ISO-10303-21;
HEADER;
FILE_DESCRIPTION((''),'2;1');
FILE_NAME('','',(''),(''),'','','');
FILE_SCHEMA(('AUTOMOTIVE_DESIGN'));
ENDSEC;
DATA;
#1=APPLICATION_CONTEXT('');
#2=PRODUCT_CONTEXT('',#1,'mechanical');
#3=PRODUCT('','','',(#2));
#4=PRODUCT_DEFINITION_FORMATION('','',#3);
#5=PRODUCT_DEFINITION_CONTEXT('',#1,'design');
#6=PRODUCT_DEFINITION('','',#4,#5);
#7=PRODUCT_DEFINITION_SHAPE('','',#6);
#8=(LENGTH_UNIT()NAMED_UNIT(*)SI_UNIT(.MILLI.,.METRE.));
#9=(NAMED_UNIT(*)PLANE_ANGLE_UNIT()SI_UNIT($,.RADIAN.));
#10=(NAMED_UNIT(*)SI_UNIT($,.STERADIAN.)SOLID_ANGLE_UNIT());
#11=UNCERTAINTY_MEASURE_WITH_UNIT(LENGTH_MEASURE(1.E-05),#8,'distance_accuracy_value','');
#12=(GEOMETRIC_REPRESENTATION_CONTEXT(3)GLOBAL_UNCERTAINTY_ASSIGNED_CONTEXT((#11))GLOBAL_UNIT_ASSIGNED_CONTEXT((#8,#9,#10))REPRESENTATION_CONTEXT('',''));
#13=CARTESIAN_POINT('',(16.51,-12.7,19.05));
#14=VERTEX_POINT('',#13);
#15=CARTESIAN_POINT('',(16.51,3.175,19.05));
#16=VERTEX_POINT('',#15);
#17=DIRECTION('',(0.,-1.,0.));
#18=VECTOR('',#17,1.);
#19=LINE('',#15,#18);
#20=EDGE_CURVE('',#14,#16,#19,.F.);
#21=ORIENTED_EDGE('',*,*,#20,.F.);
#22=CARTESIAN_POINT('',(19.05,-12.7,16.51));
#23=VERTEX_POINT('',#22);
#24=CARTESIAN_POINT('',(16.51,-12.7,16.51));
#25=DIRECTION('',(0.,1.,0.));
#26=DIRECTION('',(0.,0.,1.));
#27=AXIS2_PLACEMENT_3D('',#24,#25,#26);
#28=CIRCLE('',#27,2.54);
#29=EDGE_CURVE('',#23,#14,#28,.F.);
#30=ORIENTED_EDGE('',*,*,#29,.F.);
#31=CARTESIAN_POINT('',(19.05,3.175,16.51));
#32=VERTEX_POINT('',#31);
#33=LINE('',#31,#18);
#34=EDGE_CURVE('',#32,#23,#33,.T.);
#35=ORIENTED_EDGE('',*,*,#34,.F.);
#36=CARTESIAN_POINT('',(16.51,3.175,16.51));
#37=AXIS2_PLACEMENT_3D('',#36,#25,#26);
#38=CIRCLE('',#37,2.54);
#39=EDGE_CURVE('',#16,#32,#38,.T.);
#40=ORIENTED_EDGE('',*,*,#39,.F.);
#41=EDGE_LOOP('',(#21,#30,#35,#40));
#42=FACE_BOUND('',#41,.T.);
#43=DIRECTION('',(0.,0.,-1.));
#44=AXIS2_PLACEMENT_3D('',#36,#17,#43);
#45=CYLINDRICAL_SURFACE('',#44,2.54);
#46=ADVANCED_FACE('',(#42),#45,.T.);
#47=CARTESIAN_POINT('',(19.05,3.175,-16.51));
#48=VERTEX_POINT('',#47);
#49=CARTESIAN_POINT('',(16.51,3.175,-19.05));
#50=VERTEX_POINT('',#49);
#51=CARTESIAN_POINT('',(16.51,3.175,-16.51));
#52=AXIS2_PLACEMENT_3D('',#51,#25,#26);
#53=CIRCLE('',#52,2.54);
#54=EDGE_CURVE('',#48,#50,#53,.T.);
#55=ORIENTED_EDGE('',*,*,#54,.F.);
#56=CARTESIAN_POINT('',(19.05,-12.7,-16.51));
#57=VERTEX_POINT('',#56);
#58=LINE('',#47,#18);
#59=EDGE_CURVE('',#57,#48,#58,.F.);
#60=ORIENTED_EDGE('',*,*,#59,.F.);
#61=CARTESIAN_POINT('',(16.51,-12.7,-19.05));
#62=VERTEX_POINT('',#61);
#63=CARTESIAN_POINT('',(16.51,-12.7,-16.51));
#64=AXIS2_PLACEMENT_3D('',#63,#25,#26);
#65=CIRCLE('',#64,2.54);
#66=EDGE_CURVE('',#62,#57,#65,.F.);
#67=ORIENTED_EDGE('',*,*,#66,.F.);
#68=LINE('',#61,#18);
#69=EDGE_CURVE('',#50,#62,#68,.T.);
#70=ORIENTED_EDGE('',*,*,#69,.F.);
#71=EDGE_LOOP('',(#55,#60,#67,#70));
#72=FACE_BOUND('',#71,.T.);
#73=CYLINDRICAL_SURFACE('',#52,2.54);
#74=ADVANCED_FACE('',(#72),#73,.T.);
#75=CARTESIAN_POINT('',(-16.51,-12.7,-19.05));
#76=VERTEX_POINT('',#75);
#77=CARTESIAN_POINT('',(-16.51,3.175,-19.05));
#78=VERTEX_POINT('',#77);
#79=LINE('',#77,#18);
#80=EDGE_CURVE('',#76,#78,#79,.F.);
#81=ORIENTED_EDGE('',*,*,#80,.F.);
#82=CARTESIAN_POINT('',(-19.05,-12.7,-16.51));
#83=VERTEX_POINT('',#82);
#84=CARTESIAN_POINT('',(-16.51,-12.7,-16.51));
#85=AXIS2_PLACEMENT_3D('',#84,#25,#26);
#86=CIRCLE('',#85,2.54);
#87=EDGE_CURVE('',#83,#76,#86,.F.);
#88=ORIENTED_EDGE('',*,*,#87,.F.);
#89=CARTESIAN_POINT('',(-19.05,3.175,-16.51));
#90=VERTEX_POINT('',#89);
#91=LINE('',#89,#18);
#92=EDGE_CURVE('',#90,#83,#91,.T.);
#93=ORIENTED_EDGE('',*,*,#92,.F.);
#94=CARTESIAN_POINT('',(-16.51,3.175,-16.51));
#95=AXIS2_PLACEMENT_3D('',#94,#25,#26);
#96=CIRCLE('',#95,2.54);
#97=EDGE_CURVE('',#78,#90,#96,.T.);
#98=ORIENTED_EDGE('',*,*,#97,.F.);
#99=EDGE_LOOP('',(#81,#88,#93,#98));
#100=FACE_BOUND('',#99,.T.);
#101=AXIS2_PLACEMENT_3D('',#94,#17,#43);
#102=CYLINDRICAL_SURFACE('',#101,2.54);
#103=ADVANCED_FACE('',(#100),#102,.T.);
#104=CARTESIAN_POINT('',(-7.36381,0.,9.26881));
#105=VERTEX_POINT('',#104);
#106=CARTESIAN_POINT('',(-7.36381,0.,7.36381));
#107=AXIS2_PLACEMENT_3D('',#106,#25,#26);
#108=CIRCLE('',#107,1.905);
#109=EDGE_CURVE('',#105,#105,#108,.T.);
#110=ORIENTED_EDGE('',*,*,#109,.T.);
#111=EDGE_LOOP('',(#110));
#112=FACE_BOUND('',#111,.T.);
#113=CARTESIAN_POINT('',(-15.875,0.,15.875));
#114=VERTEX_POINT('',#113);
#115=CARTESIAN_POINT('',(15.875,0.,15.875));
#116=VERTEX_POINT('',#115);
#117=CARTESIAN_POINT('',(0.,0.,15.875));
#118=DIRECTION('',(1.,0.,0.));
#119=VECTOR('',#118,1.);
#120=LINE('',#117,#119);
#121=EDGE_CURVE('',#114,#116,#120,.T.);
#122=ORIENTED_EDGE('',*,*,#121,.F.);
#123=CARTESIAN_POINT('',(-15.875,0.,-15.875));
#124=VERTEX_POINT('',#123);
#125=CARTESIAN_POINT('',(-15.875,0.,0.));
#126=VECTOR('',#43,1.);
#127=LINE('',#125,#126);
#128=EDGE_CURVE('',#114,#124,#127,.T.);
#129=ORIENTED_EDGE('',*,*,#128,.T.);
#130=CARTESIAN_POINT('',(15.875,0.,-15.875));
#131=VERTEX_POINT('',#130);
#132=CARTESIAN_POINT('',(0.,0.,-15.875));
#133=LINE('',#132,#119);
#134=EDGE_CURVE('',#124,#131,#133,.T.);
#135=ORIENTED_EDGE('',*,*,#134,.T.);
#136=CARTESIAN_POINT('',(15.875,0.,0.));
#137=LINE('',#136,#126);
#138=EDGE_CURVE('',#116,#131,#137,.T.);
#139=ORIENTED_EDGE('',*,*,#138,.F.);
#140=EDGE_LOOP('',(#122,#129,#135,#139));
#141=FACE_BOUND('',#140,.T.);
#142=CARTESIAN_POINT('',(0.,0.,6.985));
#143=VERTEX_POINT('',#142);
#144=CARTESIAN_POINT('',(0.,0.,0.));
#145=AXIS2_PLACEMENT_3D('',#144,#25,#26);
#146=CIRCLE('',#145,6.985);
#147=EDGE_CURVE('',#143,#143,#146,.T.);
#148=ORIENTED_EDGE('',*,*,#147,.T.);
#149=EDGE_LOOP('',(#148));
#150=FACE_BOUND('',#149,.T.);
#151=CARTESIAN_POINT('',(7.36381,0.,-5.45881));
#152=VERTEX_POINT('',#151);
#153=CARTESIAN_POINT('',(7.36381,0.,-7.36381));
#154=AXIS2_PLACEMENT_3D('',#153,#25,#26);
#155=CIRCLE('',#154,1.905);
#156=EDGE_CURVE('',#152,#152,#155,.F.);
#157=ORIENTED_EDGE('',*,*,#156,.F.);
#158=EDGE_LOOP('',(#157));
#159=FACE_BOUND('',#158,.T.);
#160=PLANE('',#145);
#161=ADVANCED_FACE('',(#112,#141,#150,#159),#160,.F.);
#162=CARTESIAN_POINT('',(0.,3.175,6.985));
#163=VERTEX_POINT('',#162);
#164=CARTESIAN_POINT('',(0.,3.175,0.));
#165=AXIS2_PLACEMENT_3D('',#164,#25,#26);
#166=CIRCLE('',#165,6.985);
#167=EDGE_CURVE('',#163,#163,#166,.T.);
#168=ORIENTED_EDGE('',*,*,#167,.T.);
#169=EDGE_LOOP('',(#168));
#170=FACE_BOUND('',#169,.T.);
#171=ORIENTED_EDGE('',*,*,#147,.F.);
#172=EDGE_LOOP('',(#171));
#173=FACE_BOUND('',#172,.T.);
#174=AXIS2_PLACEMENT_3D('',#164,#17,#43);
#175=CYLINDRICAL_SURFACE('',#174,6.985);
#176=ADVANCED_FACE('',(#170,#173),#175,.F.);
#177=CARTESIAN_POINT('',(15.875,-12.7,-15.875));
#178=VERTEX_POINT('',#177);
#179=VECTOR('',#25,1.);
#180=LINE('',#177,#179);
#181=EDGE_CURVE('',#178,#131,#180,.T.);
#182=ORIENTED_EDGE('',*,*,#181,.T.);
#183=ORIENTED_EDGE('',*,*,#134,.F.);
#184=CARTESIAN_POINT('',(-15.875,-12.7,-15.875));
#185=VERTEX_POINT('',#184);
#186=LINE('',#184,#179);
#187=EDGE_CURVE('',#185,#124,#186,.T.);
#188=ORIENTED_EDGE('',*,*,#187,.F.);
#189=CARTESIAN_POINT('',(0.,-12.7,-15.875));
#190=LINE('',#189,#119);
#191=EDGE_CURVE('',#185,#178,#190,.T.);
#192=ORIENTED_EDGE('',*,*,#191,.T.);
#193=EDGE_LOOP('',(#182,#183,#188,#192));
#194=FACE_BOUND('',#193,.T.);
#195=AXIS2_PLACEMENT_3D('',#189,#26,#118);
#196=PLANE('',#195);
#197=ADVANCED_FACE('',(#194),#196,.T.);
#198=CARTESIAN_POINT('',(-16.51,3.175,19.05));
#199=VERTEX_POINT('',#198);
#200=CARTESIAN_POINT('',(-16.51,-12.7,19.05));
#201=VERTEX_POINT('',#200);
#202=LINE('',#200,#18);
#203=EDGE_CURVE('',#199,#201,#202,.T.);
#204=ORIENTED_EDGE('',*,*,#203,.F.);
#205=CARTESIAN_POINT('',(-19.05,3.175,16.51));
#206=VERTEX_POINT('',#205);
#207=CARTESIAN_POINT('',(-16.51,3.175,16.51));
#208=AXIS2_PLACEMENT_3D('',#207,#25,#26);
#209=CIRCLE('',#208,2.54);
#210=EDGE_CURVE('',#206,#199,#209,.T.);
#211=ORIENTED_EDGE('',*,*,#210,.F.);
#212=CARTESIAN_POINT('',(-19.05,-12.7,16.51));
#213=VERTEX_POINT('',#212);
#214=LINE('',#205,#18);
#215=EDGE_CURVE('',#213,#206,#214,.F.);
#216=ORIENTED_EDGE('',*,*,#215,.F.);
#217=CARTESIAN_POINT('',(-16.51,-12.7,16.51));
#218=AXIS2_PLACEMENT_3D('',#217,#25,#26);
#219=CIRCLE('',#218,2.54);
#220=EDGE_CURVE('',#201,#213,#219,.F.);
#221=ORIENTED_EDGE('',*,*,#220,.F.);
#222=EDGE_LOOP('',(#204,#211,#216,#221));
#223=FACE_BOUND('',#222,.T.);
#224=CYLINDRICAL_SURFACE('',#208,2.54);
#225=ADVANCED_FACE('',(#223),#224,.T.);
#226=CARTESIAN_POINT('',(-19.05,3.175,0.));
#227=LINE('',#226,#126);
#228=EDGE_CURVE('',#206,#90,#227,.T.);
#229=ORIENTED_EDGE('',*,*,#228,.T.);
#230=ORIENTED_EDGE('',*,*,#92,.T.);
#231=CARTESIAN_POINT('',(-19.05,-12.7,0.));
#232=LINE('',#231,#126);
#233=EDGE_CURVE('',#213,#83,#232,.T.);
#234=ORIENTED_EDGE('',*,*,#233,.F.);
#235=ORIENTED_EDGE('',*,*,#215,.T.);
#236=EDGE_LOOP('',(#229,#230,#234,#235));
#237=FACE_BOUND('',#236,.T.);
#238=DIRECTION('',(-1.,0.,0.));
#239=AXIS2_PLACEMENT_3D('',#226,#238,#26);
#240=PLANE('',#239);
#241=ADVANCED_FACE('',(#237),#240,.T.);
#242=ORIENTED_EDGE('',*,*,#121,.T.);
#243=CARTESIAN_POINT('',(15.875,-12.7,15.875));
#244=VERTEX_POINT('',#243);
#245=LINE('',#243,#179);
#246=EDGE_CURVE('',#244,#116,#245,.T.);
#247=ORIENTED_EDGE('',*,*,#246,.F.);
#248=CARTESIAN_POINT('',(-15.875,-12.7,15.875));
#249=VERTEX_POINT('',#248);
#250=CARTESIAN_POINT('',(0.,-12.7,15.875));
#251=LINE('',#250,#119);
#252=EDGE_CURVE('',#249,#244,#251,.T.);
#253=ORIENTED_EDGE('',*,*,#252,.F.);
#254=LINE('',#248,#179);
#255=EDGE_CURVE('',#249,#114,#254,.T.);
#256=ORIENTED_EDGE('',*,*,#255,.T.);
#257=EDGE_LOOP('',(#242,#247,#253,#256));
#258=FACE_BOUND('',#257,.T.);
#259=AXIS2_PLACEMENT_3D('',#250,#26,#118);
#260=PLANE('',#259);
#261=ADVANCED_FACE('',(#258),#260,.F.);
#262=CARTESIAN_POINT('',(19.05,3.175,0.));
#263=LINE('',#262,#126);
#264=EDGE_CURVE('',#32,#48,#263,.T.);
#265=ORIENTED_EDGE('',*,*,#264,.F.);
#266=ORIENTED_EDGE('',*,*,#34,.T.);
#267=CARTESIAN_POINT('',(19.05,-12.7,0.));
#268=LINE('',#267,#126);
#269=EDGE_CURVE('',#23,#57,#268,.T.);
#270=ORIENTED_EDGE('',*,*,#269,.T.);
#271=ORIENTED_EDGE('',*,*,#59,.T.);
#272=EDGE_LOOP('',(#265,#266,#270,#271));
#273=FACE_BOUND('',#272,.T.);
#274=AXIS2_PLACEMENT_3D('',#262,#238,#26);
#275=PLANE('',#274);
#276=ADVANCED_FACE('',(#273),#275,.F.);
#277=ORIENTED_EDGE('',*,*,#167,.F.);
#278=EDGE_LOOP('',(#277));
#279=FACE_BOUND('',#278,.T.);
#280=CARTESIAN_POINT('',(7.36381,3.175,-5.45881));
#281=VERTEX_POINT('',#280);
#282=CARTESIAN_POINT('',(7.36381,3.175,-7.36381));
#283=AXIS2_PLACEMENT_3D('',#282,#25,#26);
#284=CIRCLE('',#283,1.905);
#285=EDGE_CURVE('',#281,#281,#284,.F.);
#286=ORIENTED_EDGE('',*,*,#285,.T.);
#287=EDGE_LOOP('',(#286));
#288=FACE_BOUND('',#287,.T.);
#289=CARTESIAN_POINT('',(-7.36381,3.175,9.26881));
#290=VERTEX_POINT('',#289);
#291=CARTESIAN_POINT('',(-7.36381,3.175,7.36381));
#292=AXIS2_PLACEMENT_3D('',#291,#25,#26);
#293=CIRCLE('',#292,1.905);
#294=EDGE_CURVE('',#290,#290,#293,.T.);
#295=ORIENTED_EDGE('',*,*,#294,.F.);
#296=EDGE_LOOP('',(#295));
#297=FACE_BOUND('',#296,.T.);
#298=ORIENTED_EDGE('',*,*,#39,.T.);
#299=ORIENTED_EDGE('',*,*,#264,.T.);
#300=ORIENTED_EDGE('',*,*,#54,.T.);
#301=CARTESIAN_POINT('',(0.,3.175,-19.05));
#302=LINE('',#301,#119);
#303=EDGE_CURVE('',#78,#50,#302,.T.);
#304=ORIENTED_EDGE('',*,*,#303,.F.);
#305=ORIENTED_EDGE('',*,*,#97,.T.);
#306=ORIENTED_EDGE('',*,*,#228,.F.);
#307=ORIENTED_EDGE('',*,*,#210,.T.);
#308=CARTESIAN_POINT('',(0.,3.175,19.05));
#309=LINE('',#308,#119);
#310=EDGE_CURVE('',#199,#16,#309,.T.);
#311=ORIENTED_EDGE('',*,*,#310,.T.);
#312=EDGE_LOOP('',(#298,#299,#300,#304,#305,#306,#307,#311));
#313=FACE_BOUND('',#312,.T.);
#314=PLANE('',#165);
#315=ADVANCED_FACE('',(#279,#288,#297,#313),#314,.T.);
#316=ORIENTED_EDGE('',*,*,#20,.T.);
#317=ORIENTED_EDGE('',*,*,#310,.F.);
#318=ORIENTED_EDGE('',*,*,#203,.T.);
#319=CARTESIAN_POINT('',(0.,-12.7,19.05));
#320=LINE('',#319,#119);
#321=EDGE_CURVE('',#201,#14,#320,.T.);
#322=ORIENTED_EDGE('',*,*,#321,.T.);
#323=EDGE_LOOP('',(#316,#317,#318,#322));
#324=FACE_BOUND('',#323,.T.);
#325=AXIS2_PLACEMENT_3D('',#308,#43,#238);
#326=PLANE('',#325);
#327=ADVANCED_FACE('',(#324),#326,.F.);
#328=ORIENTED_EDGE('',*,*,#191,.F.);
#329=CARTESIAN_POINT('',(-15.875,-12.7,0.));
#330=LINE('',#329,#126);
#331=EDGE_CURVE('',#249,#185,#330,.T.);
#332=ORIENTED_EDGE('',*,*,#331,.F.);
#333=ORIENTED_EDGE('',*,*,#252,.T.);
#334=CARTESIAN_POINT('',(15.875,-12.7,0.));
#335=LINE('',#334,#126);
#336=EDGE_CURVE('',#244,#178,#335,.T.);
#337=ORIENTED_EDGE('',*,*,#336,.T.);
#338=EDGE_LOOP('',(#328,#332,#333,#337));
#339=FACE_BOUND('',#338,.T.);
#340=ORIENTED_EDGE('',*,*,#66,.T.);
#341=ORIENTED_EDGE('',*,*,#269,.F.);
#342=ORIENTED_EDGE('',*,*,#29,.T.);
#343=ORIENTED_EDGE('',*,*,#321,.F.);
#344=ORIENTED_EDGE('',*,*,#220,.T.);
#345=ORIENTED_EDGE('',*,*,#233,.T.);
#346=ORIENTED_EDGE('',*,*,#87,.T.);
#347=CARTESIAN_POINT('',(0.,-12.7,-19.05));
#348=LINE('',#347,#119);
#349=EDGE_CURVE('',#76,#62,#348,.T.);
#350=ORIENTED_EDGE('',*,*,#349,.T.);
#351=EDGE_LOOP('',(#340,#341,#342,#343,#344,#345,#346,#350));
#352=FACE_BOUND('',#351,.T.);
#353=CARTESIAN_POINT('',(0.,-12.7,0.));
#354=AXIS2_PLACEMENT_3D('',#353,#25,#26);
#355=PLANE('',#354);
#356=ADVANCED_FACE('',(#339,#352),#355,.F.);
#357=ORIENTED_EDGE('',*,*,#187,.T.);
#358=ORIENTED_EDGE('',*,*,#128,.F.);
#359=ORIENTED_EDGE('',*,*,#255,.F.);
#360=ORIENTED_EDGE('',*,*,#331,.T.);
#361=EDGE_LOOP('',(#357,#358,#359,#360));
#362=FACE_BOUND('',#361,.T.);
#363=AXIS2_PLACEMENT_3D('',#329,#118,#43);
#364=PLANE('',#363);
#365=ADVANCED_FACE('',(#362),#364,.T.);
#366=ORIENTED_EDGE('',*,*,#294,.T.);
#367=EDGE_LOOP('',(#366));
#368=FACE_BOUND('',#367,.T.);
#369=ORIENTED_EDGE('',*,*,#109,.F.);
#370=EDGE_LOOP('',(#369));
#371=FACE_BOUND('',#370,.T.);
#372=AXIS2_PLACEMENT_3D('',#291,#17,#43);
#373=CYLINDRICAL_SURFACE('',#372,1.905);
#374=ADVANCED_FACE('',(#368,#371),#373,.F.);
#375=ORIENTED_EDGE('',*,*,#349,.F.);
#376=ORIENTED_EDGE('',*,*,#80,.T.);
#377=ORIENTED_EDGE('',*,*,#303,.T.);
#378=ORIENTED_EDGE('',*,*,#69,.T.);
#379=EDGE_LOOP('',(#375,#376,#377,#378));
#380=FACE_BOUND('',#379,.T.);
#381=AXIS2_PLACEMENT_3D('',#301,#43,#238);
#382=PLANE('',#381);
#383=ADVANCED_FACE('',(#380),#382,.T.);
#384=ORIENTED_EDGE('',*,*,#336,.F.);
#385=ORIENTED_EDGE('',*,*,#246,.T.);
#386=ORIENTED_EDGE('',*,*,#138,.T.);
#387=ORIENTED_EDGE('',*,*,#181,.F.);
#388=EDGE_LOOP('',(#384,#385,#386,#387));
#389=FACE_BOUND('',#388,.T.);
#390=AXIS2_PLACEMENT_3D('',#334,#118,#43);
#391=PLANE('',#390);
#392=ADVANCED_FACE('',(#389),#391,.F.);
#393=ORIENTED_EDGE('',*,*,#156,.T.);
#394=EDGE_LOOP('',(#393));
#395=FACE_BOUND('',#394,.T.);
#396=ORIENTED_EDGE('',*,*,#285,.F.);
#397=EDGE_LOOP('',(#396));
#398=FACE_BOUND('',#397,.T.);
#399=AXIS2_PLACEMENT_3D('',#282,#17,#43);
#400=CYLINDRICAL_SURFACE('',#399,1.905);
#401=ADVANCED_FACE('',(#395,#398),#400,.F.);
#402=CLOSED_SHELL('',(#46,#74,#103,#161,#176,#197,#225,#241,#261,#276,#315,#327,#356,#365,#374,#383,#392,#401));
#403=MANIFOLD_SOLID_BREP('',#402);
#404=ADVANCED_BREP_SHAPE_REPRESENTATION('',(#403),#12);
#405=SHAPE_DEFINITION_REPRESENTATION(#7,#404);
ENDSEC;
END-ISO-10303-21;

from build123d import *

# Parameters (mm, degrees)
SKETCH1_W           = 38.1
SKETCH1_H           = 38.1
SKETCH1_R           = 1.905
SKETCH1_R_2         = 6.985
BOSS_EXTRUDE1_DEPTH = 3.175
SKETCH1_3_W         = 38.1
SKETCH1_3_H         = 38.1
SKETCH1_3_W_2       = 31.75
SKETCH1_3_H_2       = 31.75
BOSS_EXTRUDE2_DEPTH = 12.7
FILLET1_R           = 2.54


with BuildPart() as part:
    # Sketch1 → Boss-Extrude1 (new body)
    with BuildSketch(Plane(origin=(0, 0, 0), x_dir=(1, 0, 0), z_dir=(0, 1, 0))):
        Rectangle(SKETCH1_W, SKETCH1_H)
        with Locations((7.363810019, 7.363810019)):
            Circle(SKETCH1_R, mode=Mode.SUBTRACT)
        with Locations((-7.363810019, -7.363810019)):
            Circle(SKETCH1_R, mode=Mode.SUBTRACT)
        Circle(SKETCH1_R_2, mode=Mode.SUBTRACT)
    extrude(amount=BOSS_EXTRUDE1_DEPTH)

    # Sketch1<3> → Boss-Extrude2 (add)
    with BuildSketch(Plane(origin=(0, 0, 0), x_dir=(1, 0, 0), z_dir=(0, 1, 0))):
        Rectangle(SKETCH1_3_W, SKETCH1_3_H)
        Rectangle(SKETCH1_3_W_2, SKETCH1_3_H_2, mode=Mode.SUBTRACT)
    extrude(amount=-BOSS_EXTRUDE2_DEPTH)

    # Fillet1
    fillet1_edges = [part.edges().sort_by_distance(p)[0] for p in [
        (-19.05, -4.7625, -19.05),
        (19.05, -4.7625, -19.05),
        (-19.05, -4.7625, 19.05),
        (19.05, -4.7625, 19.05),
    ]]
    fillet(fillet1_edges, radius=FILLET1_R)


solid = part.part
